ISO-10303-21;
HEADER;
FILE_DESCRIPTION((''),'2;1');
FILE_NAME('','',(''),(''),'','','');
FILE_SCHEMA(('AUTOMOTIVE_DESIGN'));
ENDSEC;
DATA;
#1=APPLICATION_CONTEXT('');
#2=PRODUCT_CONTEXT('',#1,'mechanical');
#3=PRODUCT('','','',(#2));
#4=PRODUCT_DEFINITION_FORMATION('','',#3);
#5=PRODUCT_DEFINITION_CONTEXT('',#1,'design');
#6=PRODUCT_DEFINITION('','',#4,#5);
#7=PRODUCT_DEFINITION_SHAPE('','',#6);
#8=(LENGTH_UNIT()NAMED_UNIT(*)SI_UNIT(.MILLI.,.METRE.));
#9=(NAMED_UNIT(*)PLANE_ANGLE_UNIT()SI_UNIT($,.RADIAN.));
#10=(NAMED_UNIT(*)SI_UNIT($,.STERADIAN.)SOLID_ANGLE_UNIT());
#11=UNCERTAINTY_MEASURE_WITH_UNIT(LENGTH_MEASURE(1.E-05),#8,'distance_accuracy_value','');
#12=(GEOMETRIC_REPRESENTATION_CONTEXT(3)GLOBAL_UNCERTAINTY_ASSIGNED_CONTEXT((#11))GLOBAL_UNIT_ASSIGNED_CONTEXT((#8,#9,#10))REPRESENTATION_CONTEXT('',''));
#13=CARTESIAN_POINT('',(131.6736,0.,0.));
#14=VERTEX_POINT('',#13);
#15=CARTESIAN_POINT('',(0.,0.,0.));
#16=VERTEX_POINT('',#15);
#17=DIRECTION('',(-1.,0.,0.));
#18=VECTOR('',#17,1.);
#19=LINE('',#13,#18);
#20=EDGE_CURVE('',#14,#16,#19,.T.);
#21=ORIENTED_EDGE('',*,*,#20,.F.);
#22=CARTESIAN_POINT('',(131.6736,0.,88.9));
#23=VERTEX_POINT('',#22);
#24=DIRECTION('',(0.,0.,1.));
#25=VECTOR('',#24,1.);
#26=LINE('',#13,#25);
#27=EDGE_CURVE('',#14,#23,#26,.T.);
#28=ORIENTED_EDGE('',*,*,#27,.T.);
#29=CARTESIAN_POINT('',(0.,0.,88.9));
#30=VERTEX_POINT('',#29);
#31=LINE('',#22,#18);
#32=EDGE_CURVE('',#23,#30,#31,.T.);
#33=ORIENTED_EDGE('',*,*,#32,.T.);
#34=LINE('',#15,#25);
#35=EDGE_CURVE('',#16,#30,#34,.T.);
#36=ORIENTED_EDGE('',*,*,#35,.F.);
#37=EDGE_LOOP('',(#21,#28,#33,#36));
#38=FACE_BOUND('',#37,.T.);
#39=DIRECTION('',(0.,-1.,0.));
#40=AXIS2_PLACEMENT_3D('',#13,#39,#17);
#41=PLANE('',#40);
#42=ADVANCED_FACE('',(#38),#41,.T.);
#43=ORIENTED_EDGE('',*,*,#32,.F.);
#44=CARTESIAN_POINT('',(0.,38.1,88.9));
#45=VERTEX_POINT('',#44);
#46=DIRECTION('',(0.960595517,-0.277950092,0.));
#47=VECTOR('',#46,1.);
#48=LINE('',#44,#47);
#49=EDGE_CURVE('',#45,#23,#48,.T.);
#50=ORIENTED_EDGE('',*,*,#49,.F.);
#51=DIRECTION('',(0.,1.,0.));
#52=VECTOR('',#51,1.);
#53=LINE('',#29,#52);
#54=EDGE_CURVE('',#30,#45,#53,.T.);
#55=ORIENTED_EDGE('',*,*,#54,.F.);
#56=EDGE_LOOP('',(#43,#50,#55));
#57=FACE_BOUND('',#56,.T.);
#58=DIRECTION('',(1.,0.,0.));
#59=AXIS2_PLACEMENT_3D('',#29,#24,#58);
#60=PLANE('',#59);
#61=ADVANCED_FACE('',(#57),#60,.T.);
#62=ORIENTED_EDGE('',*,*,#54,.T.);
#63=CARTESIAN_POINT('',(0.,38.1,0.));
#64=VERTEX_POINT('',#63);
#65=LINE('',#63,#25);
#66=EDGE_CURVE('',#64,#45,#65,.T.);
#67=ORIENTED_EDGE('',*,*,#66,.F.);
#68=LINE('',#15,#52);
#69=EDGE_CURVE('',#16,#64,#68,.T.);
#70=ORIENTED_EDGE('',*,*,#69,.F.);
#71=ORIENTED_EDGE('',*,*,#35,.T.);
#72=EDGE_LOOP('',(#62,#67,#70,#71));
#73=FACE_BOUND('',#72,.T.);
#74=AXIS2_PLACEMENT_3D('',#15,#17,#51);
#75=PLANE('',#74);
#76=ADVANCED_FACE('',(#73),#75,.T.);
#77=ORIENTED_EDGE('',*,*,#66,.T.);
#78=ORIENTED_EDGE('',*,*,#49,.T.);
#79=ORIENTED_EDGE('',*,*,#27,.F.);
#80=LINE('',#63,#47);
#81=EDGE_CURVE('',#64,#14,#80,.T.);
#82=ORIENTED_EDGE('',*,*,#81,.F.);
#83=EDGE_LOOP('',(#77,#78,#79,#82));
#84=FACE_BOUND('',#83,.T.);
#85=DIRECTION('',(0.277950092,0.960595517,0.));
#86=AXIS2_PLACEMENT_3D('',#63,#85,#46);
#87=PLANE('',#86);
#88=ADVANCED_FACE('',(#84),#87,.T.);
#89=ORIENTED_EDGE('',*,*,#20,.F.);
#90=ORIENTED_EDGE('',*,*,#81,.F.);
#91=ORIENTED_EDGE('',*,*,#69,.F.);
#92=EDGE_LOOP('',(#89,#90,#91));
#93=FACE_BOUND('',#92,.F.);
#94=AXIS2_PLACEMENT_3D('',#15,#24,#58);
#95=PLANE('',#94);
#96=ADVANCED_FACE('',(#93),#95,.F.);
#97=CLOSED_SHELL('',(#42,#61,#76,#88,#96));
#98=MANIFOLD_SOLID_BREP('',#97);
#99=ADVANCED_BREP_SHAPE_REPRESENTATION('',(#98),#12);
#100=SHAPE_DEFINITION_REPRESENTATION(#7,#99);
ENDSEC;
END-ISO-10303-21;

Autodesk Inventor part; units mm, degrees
ref_plane "YZ Plane" through (0, 0, 0) normal (1, 0, 0) x (0, 1, 0)
ref_plane "XZ Plane" through (0, 0, 0) normal (0, 1, 0) x (-1, 0, 0)
ref_plane "XY Plane" through (0, 0, 0) normal (0, 0, 1) x (1, 0, 0)
sketch "Sketch1" plane through (0, 0, 0) normal (0, 0, 1) x (1, 0, 0)
  line L0 (0, 0) -> (0, 38.1)
  line L1 (0, 38.1) -> (131.6736, 0)
  line L2 (131.6736, 0) -> (0, 0)
  dimension "d0" = 38.1
  dimension "d1" = 131.6736
extrude "Extrusion1" add sketch "Sketch1" along normal blind 88.9
properties part number "Wedge version 2"
